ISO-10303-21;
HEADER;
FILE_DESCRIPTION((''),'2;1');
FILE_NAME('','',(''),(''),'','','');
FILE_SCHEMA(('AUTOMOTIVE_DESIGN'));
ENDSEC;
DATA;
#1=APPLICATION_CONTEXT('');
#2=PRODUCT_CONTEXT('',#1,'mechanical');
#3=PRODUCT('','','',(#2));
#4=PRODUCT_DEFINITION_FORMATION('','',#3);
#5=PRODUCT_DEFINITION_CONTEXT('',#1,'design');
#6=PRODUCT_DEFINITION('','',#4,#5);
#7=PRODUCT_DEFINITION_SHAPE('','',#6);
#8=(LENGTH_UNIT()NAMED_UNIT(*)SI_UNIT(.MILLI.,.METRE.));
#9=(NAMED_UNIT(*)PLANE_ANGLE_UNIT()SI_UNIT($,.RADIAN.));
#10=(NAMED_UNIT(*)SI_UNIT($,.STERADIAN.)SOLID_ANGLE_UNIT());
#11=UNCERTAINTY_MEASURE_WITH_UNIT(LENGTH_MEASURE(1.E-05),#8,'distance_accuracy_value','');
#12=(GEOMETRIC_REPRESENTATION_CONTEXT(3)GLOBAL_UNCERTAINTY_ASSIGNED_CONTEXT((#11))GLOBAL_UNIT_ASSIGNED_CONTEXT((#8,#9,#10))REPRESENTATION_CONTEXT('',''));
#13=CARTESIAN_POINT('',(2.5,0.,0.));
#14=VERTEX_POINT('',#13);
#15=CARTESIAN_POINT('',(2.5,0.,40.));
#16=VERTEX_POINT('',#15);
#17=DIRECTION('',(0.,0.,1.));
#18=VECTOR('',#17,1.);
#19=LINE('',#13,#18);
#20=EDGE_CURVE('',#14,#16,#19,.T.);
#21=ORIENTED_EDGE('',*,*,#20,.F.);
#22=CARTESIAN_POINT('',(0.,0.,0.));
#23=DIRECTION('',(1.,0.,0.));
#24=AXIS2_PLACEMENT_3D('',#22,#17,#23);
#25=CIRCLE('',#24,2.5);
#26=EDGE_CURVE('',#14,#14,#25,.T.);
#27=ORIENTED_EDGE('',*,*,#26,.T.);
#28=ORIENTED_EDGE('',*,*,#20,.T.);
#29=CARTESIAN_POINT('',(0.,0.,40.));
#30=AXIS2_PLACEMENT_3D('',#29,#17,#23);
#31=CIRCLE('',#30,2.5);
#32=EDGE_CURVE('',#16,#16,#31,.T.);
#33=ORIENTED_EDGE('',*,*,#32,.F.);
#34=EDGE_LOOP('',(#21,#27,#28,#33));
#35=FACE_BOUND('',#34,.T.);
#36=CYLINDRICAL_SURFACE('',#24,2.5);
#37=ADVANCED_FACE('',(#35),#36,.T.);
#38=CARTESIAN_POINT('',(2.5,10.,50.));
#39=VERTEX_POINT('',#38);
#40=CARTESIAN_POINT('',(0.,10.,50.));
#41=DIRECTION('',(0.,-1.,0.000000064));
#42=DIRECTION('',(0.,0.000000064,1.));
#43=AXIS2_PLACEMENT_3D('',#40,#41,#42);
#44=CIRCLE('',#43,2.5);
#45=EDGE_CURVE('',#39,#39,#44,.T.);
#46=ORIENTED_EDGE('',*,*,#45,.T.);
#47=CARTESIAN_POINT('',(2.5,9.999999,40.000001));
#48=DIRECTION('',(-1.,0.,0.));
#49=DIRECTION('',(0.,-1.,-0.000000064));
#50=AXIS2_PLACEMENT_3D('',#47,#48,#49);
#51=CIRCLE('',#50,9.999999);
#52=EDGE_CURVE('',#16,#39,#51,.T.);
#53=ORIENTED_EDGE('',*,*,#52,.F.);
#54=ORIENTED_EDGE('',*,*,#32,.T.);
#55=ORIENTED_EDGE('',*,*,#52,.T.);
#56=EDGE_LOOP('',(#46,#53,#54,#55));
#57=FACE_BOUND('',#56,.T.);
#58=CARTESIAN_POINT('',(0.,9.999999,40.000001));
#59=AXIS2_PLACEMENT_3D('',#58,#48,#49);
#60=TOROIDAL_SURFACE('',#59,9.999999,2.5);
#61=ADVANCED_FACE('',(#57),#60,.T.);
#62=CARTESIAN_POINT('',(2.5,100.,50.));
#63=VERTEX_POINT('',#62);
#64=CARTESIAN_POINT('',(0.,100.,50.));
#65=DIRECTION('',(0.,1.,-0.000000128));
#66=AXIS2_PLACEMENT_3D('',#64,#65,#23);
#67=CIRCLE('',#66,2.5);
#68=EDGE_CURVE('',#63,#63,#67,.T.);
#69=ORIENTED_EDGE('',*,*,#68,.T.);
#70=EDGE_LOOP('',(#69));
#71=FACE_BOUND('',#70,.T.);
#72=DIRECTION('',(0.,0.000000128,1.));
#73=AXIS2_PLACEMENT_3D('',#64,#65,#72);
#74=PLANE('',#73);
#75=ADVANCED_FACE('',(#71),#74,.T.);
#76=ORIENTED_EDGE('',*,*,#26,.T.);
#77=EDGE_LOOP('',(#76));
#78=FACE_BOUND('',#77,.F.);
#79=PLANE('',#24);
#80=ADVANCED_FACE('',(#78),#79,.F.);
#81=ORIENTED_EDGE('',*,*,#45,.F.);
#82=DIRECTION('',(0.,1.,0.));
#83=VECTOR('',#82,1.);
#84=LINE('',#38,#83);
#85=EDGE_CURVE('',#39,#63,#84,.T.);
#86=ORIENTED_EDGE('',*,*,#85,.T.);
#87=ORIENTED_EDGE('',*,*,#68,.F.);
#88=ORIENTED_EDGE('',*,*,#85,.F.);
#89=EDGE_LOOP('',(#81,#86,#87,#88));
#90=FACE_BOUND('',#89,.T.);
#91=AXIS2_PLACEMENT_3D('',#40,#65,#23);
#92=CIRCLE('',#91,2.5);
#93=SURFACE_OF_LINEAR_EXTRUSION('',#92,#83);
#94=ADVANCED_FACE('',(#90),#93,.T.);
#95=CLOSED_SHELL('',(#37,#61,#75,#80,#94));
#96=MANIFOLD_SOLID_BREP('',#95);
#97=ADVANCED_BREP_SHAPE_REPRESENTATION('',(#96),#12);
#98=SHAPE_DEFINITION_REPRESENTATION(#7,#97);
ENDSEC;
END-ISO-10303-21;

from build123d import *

# Parameters (mm, degrees)
SKETCH_R = 2.5


with BuildPart() as part:
    # AdditivePipe: sweep along a path in Sketch001
    with BuildLine(Plane.YZ) as additivepipe_path:
        Line((0, 0), (0, 40))
        ThreePointArc((0, 40), (2.928932, 47.071068), (10, 50))
        Line((10, 50), (100, 50))
    # Sketch → AdditivePipe (sweep)
    with BuildSketch(Plane.XY):
        Circle(SKETCH_R)
    sweep(path=additivepipe_path.line)


solid = part.part
